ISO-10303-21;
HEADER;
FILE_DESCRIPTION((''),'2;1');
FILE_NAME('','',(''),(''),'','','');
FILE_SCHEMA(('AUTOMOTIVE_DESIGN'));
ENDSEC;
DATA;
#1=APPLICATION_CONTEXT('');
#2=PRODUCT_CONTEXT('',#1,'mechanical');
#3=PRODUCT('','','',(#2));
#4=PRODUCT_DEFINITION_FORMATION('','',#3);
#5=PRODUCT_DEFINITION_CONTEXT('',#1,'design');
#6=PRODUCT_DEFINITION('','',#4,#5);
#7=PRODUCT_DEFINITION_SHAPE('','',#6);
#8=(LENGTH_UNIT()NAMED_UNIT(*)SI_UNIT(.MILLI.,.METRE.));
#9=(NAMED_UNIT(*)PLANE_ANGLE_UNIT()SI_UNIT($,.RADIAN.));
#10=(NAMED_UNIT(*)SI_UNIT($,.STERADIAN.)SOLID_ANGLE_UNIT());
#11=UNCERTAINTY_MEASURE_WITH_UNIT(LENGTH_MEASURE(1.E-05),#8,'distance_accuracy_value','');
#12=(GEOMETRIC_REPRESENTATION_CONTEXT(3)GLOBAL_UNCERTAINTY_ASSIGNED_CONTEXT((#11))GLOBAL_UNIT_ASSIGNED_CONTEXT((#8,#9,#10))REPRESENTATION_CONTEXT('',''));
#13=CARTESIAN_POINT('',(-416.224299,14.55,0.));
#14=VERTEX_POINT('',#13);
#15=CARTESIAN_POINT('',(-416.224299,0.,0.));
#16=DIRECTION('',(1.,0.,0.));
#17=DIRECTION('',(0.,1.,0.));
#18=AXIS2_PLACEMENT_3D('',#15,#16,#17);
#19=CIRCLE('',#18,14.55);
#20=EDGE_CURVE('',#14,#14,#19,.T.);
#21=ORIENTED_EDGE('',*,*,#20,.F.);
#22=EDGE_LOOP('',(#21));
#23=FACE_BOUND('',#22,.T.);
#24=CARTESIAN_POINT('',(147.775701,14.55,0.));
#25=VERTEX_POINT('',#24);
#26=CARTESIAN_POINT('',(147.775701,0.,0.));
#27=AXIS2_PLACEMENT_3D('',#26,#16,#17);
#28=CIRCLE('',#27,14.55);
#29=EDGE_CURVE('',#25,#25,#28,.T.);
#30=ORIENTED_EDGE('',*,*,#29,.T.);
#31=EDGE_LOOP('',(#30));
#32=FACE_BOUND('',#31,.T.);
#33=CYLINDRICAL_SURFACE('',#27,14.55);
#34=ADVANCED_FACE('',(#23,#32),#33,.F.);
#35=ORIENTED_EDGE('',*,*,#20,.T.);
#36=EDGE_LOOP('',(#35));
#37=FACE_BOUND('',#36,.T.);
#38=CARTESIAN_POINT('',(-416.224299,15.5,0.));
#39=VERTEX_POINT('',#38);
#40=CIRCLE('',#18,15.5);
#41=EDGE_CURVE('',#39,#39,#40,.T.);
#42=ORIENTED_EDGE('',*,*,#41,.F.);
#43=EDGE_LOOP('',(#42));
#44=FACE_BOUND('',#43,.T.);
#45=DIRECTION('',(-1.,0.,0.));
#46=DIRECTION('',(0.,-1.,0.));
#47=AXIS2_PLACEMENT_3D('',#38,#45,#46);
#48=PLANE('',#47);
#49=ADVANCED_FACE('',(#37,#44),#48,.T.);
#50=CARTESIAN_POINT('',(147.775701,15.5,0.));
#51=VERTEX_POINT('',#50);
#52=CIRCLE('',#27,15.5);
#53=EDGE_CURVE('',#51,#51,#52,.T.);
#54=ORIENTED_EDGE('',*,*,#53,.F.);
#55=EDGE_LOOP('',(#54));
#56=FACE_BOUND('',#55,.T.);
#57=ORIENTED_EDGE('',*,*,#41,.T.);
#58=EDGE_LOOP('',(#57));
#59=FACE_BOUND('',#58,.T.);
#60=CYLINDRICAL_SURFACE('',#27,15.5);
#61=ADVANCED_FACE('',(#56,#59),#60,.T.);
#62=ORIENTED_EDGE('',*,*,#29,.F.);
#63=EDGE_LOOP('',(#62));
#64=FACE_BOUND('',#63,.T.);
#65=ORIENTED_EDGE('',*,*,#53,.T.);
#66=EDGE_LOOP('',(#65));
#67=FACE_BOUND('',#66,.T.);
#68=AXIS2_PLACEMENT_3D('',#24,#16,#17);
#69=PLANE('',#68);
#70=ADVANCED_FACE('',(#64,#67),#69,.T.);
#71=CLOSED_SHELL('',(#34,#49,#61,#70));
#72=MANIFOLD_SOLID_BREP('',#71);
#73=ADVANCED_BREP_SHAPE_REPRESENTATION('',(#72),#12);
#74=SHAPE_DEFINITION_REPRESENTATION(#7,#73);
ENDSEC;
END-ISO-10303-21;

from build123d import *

# Parameters (mm, degrees)
SKETCH1_W = 564
SKETCH1_H = 0.95


with BuildPart() as part:
    # Sketch1 → Revolve1 (revolve)
    with BuildSketch(Plane.XY):
        with Locations((-134.224299065, 15.025)):
            Rectangle(SKETCH1_W, SKETCH1_H)
    revolve(axis=Axis((147.775700935, 0, 0), (-1, 0, 0)))


solid = part.part
